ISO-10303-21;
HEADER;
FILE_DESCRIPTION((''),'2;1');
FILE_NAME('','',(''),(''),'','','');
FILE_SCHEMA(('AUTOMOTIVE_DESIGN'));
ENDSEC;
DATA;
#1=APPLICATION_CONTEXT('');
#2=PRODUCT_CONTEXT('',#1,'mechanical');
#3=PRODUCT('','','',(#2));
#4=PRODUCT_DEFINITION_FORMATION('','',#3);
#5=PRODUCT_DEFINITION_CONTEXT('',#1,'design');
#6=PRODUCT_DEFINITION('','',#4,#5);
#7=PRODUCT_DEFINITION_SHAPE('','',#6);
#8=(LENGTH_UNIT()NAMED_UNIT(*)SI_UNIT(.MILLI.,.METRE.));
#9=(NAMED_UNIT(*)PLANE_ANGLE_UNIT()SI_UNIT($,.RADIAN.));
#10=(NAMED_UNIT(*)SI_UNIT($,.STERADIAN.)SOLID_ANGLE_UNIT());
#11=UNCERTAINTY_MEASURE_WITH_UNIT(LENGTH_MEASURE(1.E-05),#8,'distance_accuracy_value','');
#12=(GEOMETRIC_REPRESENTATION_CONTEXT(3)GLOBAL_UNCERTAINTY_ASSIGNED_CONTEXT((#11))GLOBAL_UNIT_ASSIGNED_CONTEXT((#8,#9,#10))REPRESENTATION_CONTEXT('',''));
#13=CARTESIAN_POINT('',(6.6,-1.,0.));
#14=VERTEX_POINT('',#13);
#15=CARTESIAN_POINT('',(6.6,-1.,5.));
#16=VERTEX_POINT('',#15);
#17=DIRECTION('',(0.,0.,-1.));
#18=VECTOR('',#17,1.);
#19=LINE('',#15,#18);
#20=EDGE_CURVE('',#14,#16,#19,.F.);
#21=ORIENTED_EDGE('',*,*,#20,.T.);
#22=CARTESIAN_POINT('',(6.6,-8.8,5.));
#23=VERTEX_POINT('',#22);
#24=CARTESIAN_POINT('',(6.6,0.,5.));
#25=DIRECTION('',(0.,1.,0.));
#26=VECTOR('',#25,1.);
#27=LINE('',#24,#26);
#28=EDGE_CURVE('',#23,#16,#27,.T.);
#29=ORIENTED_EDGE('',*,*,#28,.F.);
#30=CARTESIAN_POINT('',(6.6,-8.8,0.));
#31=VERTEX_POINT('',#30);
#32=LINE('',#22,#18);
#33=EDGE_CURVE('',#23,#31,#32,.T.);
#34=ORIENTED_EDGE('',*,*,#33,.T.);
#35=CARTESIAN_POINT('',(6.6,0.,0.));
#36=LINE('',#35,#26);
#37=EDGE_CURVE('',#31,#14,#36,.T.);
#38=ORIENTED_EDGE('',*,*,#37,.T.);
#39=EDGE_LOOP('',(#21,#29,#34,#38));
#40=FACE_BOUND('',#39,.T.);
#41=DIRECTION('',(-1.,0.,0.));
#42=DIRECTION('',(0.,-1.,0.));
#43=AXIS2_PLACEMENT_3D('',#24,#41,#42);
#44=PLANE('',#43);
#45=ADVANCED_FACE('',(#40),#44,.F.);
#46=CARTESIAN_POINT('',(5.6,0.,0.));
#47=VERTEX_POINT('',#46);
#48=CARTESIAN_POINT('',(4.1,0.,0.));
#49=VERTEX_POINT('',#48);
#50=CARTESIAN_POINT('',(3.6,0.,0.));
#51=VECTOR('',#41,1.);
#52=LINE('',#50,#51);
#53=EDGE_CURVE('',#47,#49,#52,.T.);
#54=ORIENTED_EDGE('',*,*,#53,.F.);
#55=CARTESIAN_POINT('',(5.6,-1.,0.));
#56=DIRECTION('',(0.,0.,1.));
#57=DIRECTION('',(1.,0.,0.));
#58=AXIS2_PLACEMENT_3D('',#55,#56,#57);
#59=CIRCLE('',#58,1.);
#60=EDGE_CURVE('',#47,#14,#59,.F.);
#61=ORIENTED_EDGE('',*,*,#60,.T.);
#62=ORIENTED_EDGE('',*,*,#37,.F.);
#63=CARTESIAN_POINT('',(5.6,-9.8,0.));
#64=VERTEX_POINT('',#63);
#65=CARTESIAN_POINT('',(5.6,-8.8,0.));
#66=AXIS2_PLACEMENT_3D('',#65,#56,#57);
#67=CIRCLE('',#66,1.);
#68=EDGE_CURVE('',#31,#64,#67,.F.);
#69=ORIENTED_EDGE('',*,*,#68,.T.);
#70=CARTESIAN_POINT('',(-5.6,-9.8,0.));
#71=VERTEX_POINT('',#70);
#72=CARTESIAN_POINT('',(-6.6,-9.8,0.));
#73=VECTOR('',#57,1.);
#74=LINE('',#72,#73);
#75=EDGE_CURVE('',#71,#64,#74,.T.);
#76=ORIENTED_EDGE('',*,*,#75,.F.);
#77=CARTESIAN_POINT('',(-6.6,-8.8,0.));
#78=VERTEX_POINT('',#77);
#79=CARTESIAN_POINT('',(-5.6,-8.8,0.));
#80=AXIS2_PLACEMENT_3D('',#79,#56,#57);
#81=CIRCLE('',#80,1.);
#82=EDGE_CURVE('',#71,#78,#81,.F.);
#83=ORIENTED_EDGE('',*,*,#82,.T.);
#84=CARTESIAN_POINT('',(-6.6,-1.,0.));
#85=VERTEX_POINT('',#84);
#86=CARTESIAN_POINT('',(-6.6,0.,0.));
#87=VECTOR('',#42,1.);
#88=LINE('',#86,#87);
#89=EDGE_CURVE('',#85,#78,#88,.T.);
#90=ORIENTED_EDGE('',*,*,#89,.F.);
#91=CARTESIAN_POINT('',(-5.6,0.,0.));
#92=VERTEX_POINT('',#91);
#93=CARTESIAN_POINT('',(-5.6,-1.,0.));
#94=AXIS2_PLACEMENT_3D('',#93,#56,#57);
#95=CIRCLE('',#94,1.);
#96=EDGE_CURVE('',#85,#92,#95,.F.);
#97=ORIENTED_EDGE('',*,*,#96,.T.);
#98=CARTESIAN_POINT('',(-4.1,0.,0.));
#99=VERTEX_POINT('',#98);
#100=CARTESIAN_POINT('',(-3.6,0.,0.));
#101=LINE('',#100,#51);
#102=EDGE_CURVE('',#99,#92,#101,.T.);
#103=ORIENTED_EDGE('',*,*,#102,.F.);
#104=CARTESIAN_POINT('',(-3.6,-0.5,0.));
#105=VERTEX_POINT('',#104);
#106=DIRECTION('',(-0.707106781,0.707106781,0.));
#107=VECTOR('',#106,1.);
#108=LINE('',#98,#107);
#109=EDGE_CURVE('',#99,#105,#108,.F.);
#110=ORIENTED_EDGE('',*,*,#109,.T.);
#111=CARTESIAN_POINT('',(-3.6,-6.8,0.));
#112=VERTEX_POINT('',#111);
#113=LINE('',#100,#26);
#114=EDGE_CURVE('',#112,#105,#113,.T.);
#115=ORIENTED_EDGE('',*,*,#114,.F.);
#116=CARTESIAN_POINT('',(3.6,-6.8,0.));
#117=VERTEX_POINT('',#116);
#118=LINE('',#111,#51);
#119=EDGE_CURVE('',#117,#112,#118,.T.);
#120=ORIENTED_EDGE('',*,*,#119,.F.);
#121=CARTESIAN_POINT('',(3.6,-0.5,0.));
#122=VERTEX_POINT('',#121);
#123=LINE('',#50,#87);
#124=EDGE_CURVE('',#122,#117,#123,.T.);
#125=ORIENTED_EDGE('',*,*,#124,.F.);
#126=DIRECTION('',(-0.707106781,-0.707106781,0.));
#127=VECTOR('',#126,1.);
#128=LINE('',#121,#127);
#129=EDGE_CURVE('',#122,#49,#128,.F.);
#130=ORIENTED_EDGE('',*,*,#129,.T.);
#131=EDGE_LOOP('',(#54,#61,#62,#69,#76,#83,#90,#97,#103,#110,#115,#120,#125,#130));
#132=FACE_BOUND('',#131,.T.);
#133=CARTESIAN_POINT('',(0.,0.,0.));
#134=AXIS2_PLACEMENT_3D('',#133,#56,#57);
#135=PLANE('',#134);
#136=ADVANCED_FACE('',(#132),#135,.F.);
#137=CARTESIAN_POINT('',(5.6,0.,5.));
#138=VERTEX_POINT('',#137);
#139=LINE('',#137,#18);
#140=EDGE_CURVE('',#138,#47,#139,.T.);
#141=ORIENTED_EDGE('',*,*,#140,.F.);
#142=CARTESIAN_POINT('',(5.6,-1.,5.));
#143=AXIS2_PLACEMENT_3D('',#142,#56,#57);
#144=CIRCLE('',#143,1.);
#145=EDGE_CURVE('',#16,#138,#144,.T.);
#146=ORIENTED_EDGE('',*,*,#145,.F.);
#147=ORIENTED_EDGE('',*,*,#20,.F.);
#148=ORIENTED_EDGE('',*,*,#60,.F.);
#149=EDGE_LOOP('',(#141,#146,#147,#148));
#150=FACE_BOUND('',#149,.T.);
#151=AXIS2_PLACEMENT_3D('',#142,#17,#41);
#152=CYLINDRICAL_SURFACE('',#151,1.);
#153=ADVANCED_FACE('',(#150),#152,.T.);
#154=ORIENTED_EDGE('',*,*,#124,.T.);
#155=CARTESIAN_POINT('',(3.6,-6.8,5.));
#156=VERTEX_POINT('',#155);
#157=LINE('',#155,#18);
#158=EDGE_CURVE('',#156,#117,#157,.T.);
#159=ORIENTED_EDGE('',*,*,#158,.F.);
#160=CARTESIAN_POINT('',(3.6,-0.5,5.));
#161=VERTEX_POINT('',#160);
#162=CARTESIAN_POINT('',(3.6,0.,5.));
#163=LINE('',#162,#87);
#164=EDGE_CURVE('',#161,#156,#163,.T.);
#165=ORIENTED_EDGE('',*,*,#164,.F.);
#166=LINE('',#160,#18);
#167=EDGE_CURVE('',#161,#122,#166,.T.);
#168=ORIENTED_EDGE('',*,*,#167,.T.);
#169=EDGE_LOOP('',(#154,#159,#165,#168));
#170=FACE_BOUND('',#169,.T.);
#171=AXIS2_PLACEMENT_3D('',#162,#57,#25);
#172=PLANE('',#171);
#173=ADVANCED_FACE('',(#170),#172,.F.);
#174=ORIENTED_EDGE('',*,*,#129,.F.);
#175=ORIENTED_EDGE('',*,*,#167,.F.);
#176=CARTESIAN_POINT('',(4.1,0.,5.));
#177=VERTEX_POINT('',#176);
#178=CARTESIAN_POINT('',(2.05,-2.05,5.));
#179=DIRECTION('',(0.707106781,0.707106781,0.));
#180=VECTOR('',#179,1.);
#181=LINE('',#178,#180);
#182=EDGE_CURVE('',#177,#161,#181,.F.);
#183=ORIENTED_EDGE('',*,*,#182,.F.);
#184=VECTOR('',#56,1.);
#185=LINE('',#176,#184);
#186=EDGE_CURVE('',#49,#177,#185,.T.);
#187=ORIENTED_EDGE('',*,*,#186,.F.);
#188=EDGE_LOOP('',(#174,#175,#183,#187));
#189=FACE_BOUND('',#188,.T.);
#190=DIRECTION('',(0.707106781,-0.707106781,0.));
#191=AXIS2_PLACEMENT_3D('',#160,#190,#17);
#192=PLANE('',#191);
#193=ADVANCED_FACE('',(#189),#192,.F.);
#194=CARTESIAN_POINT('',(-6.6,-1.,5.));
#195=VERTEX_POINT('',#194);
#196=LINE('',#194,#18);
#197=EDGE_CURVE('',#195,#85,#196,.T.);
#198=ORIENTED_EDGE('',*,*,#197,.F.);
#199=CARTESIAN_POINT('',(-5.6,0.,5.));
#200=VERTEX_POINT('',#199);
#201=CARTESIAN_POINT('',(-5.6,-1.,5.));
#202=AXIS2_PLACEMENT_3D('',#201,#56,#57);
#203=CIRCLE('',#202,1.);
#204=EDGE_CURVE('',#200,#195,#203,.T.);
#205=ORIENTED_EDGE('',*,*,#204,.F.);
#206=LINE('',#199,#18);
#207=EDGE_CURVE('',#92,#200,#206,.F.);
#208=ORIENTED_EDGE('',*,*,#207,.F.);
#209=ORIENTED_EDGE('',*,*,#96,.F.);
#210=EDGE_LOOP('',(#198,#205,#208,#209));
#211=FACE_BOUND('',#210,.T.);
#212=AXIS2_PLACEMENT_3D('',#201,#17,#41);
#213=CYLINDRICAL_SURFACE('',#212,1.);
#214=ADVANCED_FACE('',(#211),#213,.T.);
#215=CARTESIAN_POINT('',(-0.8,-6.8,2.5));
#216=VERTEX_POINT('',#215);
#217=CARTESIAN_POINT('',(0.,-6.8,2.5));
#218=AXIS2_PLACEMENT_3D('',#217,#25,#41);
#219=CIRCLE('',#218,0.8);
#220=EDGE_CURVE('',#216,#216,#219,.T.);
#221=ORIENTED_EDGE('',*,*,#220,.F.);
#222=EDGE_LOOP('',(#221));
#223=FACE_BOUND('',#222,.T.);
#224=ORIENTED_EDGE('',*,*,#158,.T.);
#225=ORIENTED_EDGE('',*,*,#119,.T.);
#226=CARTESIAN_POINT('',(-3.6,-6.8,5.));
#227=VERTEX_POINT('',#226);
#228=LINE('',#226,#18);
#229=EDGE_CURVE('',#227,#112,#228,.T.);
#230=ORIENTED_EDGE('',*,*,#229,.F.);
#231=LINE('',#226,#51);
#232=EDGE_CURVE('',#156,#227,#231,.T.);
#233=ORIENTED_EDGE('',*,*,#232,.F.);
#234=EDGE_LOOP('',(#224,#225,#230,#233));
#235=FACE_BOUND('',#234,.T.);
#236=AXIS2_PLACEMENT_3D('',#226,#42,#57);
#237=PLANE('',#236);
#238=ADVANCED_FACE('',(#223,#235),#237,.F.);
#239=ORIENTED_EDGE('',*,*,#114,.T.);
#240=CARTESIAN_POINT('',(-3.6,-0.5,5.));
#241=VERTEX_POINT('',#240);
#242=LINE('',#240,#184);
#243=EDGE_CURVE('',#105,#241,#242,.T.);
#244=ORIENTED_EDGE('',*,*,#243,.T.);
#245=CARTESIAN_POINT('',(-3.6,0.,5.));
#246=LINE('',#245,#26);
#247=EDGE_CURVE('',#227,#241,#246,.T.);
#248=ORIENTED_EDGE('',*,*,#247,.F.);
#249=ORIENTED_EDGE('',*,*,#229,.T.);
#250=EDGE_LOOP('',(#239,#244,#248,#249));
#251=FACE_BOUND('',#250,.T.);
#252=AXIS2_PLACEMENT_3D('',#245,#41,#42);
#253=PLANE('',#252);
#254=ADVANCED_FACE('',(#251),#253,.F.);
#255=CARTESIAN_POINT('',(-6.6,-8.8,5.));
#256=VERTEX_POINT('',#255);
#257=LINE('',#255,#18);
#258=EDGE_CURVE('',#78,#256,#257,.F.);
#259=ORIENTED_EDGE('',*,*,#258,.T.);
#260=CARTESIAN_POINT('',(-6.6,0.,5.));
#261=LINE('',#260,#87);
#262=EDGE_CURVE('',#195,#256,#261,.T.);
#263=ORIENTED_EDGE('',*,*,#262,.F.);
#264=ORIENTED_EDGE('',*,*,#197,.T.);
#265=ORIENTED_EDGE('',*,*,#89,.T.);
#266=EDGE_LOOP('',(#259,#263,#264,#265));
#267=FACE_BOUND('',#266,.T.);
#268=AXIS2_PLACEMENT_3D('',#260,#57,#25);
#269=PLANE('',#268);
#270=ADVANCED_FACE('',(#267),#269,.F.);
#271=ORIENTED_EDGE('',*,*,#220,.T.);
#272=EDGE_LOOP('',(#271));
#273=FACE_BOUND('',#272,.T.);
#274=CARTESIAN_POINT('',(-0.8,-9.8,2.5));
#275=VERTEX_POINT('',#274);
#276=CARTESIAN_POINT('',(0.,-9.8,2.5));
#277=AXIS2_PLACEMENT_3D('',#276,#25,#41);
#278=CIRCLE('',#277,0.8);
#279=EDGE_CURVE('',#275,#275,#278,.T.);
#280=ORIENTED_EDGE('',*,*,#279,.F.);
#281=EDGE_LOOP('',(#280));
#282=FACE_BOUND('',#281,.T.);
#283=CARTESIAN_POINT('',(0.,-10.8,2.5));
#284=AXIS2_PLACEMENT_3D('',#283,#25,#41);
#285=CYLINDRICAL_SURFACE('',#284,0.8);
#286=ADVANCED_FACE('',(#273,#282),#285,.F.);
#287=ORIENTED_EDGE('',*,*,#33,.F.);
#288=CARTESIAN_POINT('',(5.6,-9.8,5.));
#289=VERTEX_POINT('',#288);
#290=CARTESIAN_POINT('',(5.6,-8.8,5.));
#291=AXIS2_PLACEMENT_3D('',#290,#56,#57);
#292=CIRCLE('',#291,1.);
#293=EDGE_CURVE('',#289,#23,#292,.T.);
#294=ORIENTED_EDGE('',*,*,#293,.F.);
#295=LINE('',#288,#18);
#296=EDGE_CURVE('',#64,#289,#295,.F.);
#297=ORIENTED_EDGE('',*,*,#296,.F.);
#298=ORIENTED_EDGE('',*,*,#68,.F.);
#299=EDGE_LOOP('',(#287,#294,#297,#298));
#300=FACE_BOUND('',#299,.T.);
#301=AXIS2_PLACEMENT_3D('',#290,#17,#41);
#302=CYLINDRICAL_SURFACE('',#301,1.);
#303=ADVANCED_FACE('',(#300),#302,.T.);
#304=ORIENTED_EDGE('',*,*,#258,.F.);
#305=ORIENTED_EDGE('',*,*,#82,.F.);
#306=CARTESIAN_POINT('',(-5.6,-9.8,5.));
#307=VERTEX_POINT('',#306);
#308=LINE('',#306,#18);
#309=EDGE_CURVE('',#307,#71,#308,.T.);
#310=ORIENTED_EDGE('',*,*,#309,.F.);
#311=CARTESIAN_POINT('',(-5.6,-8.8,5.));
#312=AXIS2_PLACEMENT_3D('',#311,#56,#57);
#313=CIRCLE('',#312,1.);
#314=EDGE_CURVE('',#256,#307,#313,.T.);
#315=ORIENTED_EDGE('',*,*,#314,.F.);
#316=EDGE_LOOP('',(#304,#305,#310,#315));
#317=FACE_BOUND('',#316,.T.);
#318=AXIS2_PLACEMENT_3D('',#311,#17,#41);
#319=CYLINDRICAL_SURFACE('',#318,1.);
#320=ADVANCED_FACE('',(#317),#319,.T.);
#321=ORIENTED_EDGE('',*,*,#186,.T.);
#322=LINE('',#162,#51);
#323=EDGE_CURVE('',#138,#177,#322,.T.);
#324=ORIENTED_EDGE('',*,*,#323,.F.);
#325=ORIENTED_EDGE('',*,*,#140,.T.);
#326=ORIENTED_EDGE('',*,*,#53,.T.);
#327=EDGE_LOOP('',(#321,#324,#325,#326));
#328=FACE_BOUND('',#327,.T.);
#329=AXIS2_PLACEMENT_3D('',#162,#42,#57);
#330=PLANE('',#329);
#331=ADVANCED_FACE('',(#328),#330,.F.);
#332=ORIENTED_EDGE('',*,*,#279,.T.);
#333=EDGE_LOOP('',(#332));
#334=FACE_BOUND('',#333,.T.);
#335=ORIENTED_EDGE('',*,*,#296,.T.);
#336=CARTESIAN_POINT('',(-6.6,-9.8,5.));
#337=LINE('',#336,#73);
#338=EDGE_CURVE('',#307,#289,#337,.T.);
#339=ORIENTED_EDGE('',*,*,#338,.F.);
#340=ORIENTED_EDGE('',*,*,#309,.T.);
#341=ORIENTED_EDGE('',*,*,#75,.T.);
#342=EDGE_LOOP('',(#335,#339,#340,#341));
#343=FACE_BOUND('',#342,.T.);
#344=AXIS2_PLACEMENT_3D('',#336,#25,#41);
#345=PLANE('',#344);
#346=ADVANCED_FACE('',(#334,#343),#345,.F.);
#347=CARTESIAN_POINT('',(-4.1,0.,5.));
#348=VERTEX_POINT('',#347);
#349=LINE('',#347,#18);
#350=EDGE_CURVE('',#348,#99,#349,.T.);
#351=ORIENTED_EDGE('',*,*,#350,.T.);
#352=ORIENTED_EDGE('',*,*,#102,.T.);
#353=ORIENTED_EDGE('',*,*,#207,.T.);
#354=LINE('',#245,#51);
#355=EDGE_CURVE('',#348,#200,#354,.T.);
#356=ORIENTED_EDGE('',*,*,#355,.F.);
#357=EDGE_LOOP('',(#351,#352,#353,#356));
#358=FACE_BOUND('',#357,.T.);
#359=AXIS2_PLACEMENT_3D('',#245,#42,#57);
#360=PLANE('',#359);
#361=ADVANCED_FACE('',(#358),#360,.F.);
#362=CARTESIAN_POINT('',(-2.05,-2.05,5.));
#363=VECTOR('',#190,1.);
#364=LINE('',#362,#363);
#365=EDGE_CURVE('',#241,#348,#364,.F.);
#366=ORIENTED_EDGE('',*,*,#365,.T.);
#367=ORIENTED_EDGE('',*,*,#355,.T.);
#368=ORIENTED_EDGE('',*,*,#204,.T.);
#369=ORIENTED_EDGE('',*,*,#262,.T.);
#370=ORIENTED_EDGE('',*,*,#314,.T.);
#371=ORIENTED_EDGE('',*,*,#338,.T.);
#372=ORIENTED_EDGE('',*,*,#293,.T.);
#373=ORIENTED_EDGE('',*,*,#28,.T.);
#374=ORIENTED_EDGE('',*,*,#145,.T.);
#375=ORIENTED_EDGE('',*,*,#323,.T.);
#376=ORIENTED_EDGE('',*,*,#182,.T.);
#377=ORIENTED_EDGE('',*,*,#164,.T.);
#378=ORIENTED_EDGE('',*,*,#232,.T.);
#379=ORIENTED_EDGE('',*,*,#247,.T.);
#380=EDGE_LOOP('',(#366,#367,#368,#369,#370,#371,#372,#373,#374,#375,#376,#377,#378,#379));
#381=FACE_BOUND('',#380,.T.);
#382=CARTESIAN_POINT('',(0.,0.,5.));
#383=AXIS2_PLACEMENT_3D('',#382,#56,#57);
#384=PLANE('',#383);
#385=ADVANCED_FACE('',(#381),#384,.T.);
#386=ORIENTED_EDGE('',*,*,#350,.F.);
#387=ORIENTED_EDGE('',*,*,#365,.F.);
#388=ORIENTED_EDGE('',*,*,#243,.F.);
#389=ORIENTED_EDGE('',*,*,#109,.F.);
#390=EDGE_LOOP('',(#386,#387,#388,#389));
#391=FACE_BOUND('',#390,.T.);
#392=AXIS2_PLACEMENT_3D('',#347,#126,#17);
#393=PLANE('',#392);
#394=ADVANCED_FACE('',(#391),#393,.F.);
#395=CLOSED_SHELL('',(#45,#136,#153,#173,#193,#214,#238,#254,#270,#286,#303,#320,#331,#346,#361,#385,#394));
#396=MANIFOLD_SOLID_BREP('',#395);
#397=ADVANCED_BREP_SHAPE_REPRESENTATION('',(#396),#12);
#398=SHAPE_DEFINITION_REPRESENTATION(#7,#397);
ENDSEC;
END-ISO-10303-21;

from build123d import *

# Parameters (mm, degrees)
EXTRUDE_1_DEPTH     = 5
CHAMFER_1_SIZE      = 0.5
FILLET_1_R          = 1
SKETCH_3_R          = 0.8
CUT_EXTRUDE_1_DEPTH = 4


with BuildPart() as part:
    # 草图2 → 凸台-拉伸1 (new body)
    with BuildSketch(Plane.XY):
        Polygon((-3.6, 0), (-3.6, -6.8), (3.6, -6.8), (3.6, 0), (6.6, 0), (6.6, -9.8), (-6.6, -9.8), (-6.6, 0), align=None)
    extrude(amount=EXTRUDE_1_DEPTH)

    # 倒角1
    chamfer_1_edges = [part.edges().sort_by_distance(p)[0] for p in [
        (-3.6, 0, 2.5),
        (3.6, 0, 2.5),
    ]]
    chamfer(chamfer_1_edges, length=CHAMFER_1_SIZE)

    # 圆角1
    fillet_1_edges = [part.edges().sort_by_distance(p)[0] for p in [
        (6.6, 0, 2.5),
        (6.6, -9.8, 2.5),
        (-6.6, -9.8, 2.5),
        (-6.6, 0, 2.5),
    ]]
    fillet(fillet_1_edges, radius=FILLET_1_R)

    # 草图3 → 切除-拉伸1 (cut)
    with BuildSketch(Plane(origin=(0, -6.8, 0), x_dir=(1, 0, 0), z_dir=(0, 1, 0))):
        with Locations(Location((0, -2.5, 0), (0, 0, 180))):
            Circle(SKETCH_3_R)
    extrude(amount=-CUT_EXTRUDE_1_DEPTH, mode=Mode.SUBTRACT)


solid = part.part
